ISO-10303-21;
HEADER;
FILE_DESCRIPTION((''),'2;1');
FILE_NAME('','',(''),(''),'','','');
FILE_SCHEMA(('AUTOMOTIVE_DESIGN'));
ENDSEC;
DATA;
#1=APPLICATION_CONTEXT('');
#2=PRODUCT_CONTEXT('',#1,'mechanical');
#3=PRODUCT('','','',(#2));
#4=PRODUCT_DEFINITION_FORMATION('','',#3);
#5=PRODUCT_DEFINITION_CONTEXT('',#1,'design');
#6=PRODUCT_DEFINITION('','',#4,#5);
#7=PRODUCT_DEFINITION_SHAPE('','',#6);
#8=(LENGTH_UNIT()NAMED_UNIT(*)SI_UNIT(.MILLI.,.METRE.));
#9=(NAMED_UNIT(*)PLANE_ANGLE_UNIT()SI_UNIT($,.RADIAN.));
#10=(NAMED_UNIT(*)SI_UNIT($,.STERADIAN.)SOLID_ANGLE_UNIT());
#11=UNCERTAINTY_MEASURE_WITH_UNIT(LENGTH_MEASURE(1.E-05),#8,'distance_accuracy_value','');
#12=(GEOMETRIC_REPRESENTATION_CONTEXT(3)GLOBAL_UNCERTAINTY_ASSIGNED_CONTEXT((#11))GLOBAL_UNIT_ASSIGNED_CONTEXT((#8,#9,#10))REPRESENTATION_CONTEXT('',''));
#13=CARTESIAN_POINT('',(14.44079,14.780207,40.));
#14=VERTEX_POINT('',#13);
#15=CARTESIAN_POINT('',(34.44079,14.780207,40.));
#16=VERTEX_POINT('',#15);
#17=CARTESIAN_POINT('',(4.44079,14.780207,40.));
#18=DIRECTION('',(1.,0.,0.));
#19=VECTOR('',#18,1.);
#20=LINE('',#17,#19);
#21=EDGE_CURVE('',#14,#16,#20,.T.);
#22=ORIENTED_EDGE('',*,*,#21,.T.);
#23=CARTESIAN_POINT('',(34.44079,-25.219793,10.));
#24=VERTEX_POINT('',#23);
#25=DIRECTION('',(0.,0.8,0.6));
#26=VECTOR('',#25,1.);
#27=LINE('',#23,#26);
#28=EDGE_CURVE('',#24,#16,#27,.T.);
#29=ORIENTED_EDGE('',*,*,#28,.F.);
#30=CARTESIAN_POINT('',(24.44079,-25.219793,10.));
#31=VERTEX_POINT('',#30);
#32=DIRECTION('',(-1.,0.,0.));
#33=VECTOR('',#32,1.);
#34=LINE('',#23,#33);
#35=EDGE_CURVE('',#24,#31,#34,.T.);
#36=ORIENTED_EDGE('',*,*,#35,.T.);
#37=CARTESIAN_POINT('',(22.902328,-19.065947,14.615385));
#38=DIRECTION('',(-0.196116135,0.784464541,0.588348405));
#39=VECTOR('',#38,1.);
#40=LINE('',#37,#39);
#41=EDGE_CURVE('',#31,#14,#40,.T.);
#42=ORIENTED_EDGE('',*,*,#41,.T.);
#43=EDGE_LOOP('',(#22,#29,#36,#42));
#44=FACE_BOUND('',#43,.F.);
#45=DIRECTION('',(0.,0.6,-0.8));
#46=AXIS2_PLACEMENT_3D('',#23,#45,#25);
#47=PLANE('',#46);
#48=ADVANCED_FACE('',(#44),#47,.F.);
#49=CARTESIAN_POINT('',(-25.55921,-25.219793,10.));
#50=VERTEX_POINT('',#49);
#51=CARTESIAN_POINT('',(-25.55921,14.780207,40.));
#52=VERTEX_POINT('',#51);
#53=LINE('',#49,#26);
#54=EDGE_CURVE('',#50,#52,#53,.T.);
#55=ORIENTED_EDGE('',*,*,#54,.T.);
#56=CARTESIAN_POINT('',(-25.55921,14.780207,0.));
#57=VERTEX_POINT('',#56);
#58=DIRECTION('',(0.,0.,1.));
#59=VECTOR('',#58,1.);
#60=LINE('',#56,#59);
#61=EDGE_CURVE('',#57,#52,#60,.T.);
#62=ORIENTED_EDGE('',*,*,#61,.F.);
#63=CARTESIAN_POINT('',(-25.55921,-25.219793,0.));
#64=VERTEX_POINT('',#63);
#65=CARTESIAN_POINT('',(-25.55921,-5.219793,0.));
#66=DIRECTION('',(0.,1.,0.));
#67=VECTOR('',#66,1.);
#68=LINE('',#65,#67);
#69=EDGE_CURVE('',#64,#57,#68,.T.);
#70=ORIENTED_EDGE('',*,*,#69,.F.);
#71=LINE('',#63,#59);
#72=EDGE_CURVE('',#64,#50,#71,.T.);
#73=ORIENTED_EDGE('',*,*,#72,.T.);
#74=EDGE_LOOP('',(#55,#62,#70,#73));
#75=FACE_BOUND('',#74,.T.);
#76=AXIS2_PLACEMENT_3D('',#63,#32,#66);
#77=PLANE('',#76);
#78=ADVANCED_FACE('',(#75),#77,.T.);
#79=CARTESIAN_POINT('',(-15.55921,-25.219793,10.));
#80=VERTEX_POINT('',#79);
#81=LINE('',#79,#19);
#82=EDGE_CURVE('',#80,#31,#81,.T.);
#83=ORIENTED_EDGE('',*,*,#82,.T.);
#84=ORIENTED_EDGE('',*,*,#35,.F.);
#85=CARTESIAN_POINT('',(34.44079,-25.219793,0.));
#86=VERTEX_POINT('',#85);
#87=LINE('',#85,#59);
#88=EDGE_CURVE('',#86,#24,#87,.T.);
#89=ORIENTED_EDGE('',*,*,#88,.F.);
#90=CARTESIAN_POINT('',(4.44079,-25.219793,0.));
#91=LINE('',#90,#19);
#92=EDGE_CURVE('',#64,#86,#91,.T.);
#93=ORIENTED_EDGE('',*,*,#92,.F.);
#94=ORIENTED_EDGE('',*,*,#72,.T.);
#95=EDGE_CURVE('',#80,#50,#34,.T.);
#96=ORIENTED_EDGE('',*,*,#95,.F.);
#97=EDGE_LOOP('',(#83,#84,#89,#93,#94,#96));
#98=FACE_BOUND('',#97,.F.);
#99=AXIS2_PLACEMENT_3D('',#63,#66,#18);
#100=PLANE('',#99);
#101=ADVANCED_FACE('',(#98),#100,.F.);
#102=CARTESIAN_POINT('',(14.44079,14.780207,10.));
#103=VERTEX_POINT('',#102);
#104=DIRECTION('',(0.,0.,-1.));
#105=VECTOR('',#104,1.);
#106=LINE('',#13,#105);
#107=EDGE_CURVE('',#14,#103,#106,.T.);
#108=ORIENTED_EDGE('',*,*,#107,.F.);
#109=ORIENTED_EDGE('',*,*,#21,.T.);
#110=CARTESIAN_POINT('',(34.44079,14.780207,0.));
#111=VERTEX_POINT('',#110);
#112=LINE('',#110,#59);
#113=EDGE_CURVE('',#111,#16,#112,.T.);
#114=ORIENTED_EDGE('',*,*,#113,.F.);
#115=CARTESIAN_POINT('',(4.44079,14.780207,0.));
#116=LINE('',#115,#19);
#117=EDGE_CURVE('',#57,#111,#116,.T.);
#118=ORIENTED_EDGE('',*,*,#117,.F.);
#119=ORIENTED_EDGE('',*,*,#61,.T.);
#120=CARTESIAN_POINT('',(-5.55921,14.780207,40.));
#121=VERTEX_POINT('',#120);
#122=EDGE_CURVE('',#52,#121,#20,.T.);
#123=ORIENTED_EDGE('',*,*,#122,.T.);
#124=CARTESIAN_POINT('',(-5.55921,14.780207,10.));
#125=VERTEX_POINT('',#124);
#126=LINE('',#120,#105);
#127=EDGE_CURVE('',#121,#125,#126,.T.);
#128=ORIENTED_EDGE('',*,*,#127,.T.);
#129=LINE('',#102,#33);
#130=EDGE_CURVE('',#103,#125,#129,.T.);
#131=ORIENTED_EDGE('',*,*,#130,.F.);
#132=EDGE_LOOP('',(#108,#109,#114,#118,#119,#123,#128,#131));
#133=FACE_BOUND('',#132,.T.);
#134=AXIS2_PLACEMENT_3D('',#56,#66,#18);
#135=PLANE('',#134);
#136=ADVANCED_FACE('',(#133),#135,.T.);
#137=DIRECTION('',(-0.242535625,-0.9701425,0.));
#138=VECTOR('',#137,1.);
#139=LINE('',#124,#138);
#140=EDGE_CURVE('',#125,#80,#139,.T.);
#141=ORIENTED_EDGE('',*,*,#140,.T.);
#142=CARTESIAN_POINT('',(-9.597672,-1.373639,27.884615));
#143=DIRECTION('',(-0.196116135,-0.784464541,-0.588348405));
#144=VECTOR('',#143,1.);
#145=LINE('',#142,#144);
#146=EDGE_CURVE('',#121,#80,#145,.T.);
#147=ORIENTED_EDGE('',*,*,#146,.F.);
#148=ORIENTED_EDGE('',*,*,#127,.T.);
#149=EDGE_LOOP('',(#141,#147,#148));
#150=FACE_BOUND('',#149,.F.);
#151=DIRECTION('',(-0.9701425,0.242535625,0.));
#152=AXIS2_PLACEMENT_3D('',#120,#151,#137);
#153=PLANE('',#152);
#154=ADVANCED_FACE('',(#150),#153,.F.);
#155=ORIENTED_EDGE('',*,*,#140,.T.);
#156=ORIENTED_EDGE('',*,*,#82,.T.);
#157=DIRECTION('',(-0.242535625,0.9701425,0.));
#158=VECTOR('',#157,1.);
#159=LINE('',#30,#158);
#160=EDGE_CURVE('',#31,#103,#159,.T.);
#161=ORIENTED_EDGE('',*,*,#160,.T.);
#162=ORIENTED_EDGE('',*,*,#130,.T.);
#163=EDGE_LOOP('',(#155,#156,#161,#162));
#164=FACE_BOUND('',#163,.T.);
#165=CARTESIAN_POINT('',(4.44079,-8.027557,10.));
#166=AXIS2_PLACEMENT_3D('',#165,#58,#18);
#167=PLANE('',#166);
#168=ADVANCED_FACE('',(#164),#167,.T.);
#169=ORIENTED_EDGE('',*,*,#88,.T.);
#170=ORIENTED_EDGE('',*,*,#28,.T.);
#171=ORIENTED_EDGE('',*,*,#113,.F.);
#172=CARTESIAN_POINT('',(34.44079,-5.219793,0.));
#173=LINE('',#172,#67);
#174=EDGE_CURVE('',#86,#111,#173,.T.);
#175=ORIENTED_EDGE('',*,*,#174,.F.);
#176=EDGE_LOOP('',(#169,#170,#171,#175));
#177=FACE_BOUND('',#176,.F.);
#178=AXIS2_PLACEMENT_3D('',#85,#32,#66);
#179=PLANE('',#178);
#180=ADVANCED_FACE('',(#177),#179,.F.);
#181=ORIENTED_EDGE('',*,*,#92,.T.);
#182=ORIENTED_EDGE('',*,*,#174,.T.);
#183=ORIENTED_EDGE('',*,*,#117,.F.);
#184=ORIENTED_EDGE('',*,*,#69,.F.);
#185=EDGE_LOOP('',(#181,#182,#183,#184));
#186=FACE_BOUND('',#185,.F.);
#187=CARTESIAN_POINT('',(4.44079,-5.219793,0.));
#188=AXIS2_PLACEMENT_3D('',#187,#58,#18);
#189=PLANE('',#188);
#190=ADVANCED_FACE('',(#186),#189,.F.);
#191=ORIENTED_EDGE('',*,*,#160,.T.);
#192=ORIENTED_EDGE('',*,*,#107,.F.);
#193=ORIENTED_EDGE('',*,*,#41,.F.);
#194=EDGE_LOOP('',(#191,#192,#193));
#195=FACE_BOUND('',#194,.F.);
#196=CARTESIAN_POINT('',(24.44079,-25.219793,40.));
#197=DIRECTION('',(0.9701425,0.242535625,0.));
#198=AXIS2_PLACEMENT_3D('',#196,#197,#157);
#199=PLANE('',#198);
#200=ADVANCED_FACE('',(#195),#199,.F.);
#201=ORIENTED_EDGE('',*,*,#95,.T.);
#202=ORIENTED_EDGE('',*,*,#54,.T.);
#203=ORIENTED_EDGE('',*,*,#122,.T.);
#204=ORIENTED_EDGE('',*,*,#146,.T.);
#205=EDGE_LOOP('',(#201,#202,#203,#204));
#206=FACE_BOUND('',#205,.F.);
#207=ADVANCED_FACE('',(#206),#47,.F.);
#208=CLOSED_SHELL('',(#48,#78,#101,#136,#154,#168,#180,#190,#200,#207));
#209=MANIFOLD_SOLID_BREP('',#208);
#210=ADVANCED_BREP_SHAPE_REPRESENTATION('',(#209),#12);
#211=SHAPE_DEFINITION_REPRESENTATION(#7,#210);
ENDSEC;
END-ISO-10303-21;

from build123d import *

# Parameters (mm, degrees)
F0_W     = 60
F0_H     = 40
F1_DEPTH = 40
F3_DEPTH = 30
F5_DEPTH = 60


with BuildPart() as f1:
    # F0 (on Top) → F1 (new body)
    with BuildSketch(Plane.XY):
        with Locations((4.44079, -5.219793)):
            Rectangle(F0_W, F0_H)
    extrude(amount=F1_DEPTH)

    # F2 (on face) → F3 (cut)
    with BuildSketch(Plane.XY.offset(40)):
        Polygon((-5.55921, 14.780207), (-15.55921, -25.219793), (24.44079, -25.219793), (14.44079, 14.780207), align=None)
    extrude(amount=-F3_DEPTH, mode=Mode.SUBTRACT)

    # F4 (on face) → F5 (cut)
    with BuildSketch(Plane.YZ.offset(34.44079)):
        Polygon((-25.219793, 40), (-25.219793, 10), (14.780207, 40), align=None)
    extrude(amount=-F5_DEPTH, mode=Mode.SUBTRACT)


solid = f1.part
